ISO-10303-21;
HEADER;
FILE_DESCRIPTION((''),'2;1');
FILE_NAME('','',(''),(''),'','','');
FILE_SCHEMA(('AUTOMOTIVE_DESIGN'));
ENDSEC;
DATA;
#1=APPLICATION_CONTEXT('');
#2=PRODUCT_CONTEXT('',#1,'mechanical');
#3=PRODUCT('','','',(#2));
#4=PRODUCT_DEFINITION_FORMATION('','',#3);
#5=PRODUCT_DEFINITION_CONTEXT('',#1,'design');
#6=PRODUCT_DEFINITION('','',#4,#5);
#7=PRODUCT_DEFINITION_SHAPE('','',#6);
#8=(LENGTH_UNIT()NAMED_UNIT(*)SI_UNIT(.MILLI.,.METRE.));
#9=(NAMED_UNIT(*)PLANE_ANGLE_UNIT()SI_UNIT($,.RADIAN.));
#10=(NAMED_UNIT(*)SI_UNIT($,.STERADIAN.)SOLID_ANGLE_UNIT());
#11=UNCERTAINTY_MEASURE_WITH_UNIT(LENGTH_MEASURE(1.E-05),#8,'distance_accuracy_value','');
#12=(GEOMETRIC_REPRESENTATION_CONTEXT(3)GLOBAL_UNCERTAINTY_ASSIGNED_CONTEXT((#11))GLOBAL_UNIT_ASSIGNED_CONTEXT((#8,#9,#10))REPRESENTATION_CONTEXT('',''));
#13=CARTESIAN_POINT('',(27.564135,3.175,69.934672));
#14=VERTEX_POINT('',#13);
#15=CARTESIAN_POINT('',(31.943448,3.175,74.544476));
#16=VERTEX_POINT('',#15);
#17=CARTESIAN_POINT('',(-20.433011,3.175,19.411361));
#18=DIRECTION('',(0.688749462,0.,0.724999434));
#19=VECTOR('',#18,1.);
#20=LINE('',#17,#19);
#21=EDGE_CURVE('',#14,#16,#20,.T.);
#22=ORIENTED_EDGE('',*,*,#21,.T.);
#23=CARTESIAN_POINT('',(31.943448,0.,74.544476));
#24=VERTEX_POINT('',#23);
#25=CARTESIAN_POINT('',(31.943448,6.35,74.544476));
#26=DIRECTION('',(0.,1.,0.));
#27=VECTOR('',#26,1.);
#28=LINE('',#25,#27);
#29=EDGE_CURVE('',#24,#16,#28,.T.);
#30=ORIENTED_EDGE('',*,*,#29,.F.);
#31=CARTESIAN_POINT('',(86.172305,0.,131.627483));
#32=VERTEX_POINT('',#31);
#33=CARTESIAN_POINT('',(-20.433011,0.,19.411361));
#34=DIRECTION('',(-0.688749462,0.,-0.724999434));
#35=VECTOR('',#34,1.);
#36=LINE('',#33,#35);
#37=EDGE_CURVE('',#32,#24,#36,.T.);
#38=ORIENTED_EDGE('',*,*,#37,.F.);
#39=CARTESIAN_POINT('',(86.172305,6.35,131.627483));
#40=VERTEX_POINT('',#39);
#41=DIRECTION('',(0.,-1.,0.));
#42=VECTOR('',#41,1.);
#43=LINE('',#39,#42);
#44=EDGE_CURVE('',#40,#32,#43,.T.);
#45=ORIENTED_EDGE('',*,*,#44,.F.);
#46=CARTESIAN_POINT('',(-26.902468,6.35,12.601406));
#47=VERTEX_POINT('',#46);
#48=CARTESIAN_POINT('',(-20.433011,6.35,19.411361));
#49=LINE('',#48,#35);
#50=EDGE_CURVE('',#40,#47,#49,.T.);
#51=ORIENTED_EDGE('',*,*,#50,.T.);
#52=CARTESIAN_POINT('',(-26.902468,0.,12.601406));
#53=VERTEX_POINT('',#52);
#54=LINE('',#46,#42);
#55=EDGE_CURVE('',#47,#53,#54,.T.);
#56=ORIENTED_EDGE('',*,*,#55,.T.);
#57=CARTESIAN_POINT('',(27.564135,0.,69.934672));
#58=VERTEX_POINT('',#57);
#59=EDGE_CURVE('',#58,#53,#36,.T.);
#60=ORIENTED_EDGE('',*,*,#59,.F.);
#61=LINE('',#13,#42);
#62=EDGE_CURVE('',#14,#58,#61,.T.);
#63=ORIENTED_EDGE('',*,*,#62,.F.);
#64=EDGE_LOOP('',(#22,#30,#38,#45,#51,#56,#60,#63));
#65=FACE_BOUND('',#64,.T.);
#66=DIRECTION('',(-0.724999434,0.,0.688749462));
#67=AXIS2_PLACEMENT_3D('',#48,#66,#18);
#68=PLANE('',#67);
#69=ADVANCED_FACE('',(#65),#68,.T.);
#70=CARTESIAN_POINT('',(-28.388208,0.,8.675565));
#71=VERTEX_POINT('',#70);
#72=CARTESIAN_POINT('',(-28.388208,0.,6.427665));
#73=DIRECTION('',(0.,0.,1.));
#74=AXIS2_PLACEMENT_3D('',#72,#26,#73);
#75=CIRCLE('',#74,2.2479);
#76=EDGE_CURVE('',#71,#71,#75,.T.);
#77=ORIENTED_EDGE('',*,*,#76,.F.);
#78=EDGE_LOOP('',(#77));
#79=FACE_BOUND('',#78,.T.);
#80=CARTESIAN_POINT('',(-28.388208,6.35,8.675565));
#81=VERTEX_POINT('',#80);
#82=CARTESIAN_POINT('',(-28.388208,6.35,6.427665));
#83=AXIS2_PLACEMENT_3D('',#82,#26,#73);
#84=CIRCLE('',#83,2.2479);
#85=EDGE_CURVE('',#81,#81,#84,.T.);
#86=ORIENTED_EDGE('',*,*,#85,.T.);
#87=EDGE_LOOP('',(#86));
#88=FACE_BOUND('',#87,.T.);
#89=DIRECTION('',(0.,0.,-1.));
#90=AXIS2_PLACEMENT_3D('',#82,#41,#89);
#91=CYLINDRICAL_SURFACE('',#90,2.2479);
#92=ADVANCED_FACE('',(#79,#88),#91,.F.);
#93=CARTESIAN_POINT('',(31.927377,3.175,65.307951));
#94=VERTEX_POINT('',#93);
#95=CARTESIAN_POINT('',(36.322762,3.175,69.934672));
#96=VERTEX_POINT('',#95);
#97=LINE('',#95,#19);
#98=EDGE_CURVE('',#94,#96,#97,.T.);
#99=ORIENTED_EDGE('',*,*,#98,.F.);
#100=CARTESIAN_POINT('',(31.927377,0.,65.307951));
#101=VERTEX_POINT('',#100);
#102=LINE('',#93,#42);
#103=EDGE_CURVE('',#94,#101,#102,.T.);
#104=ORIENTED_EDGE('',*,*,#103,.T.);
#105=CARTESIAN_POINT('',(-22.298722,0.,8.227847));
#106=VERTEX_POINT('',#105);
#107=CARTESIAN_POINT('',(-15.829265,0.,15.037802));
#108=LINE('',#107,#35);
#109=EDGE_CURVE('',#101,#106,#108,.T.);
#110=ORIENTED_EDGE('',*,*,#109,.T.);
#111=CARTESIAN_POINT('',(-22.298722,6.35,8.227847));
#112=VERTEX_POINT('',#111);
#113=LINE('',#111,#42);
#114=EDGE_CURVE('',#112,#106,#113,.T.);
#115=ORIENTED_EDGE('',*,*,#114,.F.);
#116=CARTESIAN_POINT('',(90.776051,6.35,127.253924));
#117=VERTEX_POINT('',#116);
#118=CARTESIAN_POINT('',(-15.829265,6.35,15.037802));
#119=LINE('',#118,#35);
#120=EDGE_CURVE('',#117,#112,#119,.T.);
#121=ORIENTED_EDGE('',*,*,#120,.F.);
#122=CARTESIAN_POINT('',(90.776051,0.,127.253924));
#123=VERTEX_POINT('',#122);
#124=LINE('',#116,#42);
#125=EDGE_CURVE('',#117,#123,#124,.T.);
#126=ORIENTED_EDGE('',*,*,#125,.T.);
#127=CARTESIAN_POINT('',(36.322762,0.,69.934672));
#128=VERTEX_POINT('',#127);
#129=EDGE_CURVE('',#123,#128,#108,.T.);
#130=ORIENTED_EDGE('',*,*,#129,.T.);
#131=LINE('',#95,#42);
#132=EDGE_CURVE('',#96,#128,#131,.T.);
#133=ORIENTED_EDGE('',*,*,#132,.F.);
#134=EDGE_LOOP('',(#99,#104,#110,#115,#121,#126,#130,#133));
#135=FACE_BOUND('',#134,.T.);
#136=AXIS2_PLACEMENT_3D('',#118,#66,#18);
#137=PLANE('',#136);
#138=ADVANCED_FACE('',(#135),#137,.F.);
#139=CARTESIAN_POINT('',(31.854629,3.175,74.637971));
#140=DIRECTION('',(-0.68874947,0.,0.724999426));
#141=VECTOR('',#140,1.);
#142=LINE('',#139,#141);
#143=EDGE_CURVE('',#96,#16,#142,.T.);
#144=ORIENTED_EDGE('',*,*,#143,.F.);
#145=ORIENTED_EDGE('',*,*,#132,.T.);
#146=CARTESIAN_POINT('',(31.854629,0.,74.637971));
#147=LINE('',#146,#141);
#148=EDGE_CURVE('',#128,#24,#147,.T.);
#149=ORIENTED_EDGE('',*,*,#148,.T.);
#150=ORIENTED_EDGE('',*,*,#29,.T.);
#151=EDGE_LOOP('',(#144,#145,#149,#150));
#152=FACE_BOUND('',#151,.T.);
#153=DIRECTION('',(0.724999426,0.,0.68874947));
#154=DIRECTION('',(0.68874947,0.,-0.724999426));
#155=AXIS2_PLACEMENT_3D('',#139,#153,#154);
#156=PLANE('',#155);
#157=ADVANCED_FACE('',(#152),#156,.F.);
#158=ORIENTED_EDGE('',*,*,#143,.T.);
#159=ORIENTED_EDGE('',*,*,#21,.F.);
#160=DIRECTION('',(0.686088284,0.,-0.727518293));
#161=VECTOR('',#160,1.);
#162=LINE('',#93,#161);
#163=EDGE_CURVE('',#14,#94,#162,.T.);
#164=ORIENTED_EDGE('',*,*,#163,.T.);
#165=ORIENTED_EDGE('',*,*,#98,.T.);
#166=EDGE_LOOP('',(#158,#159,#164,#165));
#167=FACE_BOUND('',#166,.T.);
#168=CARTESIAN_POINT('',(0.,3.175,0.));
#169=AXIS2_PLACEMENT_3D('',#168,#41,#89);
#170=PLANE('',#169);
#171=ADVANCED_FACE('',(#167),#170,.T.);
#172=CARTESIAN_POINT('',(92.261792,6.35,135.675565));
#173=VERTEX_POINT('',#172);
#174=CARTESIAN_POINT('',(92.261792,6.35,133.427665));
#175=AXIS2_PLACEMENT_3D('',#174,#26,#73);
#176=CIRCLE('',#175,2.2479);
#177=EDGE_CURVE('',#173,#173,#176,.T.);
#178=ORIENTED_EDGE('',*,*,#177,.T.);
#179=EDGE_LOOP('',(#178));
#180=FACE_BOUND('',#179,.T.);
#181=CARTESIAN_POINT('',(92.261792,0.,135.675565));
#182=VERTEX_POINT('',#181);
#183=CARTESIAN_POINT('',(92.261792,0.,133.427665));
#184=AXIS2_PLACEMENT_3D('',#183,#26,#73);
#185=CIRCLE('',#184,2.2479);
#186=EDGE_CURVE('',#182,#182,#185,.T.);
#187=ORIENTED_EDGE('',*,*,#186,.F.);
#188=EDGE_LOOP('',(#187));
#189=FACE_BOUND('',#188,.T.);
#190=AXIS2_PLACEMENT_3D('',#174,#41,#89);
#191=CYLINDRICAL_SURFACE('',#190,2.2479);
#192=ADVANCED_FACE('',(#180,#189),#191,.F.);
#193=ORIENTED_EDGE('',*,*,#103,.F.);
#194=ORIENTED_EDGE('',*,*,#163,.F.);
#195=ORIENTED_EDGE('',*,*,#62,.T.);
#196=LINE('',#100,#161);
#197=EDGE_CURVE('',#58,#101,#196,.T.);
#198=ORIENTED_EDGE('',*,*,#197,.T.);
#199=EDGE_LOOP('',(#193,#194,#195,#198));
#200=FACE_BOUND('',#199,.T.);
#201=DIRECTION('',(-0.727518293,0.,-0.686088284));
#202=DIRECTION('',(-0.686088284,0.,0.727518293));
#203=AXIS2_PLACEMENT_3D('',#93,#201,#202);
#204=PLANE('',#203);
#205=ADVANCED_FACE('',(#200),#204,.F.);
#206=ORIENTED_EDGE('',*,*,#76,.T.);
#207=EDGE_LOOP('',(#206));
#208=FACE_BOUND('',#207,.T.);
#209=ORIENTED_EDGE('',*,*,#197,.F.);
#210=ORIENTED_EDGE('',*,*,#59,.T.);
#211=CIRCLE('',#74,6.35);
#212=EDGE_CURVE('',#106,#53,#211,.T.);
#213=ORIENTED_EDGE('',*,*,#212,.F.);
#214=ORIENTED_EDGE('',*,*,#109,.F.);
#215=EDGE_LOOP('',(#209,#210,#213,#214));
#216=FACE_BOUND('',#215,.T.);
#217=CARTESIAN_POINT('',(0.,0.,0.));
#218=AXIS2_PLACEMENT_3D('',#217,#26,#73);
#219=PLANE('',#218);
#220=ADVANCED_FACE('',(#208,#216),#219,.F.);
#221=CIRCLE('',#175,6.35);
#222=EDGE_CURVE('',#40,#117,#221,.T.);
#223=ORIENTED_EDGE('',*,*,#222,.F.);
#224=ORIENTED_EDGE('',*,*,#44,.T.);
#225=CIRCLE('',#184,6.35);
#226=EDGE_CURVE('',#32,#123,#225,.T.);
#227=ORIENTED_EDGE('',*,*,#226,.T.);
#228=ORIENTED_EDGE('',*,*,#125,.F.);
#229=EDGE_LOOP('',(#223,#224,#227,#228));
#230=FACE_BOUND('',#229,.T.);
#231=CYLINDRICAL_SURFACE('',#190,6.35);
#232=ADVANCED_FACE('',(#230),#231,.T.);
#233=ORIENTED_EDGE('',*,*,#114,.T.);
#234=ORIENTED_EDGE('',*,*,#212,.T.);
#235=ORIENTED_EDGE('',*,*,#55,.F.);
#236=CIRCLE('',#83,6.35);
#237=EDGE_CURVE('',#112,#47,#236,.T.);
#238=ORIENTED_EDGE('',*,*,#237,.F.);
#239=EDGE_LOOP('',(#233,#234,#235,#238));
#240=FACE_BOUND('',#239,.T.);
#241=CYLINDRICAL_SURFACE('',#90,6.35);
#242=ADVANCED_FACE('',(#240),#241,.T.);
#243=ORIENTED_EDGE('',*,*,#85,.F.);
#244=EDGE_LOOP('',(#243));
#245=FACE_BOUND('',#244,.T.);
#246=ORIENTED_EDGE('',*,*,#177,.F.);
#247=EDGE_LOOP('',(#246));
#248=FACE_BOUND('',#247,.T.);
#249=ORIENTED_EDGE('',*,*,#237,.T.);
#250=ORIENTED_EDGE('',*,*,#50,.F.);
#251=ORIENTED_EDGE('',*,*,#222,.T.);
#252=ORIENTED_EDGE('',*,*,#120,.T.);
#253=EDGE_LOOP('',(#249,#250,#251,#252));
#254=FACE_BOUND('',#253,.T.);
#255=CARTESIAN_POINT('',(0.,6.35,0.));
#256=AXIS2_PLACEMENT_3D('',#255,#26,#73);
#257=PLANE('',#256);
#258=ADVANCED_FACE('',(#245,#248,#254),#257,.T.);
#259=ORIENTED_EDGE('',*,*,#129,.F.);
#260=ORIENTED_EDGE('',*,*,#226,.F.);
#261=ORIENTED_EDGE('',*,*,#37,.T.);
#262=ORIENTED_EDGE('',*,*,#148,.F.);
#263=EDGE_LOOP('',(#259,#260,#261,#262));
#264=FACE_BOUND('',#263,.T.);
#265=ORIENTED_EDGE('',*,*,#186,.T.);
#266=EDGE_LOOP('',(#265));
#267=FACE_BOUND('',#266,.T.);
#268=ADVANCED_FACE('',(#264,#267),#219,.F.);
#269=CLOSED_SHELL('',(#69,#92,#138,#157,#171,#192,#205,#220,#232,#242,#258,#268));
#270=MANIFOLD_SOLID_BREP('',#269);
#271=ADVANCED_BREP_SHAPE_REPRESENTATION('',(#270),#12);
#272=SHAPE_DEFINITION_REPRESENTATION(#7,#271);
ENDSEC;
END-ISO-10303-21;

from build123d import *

# Parameters (mm, degrees)
SKETCH1_R           = 2.2479
BOSS_EXTRUDE1_DEPTH = 6.35
CUT_EXTRUDE1_DEPTH  = 3.175


with BuildPart() as part:
    # Sketch1 → Boss-Extrude1 (new body)
    with BuildSketch(Plane(origin=(0, 0, 0), x_dir=(1, 0, 0), z_dir=(0, 1, 0))):
        with BuildLine():
            ThreePointArc((-22.298722012, -8.227846676), (-32.761767568, -1.823918477), (-26.902468415, -12.601405759))
            Line((-26.902468415, -12.601405759), (86.172305043, -131.627483084))
            ThreePointArc((86.172305043, -131.627483084), (96.635350599, -138.031411283), (90.776051446, -127.253924001))
            Line((90.776051446, -127.253924001), (-22.298722012, -8.227846676))
        make_face()
        with Locations(Location((92.261791516, -133.42766488, 0), (0, 0, 270))):
            Circle(SKETCH1_R, mode=Mode.SUBTRACT)
        with Locations(Location((-28.388208484, -6.42766488, 0), (0, 0, 270))):
            Circle(SKETCH1_R, mode=Mode.SUBTRACT)
    extrude(amount=BOSS_EXTRUDE1_DEPTH)

    # Sketch2 → Cut-Extrude1 (cut)
    with BuildSketch(Plane.XZ):
        Polygon((31.927377379, 65.307951298), (27.564134606, 69.934672098), (31.854628611, 74.63797054), (36.322762187, 69.934672148), align=None)
    extrude(amount=-CUT_EXTRUDE1_DEPTH, mode=Mode.SUBTRACT)


solid = part.part
